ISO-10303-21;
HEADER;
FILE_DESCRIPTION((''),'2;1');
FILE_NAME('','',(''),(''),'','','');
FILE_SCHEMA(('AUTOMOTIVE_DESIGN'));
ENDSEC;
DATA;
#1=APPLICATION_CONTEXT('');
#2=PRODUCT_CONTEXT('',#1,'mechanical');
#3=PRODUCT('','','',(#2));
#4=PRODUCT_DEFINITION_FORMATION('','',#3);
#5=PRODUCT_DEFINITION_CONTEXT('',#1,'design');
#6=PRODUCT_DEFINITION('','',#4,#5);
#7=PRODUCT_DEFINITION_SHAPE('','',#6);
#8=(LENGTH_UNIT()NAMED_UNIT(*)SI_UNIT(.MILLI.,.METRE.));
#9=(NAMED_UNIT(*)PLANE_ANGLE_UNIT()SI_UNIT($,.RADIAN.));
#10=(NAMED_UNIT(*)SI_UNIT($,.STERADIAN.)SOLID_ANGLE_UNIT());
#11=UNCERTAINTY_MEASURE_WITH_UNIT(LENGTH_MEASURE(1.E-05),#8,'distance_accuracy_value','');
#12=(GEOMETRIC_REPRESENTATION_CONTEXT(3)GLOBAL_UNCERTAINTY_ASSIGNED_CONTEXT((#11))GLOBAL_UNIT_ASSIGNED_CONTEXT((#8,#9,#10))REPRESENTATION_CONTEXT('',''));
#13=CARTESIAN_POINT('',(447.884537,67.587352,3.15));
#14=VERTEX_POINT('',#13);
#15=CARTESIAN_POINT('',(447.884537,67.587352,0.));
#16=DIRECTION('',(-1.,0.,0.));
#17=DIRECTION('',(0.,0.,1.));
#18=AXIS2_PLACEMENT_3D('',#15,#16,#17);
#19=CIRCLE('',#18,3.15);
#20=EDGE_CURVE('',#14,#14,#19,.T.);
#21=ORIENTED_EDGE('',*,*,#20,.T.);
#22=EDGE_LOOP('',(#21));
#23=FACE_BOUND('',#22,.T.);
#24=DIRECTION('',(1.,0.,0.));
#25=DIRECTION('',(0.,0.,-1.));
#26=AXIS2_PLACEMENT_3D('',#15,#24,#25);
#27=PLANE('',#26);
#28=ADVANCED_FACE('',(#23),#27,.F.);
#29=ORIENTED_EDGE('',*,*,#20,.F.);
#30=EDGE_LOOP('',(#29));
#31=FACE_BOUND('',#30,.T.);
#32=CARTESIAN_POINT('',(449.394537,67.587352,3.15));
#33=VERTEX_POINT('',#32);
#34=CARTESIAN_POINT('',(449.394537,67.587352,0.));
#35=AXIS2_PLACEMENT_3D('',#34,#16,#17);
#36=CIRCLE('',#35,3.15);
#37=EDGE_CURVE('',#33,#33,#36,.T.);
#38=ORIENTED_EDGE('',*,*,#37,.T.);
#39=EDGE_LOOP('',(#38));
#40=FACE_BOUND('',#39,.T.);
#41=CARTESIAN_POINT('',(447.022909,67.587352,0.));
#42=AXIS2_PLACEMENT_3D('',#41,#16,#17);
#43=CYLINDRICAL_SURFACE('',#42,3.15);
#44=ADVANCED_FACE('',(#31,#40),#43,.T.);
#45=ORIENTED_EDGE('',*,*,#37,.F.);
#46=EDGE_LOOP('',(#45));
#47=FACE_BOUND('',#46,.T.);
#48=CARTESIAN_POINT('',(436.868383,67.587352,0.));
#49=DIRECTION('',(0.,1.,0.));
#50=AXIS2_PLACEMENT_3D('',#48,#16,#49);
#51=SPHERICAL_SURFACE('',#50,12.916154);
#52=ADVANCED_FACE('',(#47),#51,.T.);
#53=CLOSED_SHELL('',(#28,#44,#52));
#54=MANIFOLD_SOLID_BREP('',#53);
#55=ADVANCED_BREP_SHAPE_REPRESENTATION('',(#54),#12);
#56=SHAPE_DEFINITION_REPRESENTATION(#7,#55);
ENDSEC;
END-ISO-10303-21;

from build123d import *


with BuildPart() as part:
    # 草图1 → 旋转1 (revolve)
    with BuildSketch(Plane.XY):
        with BuildLine():
            Line((447.884536778, 67.587351907), (447.884536778, 70.737351907))
            Line((447.884536778, 70.737351907), (449.394536778, 70.737351907))
            ThreePointArc((449.394536778, 70.737351907), (449.686665975, 69.174377426), (449.784536778, 67.587351907))
            Line((449.784536778, 67.587351907), (447.884536778, 67.587351907))
        make_face()
    revolve(axis=Axis((447.022908608, 67.587351907, 0), (1, 0, 0)))


solid = part.part
